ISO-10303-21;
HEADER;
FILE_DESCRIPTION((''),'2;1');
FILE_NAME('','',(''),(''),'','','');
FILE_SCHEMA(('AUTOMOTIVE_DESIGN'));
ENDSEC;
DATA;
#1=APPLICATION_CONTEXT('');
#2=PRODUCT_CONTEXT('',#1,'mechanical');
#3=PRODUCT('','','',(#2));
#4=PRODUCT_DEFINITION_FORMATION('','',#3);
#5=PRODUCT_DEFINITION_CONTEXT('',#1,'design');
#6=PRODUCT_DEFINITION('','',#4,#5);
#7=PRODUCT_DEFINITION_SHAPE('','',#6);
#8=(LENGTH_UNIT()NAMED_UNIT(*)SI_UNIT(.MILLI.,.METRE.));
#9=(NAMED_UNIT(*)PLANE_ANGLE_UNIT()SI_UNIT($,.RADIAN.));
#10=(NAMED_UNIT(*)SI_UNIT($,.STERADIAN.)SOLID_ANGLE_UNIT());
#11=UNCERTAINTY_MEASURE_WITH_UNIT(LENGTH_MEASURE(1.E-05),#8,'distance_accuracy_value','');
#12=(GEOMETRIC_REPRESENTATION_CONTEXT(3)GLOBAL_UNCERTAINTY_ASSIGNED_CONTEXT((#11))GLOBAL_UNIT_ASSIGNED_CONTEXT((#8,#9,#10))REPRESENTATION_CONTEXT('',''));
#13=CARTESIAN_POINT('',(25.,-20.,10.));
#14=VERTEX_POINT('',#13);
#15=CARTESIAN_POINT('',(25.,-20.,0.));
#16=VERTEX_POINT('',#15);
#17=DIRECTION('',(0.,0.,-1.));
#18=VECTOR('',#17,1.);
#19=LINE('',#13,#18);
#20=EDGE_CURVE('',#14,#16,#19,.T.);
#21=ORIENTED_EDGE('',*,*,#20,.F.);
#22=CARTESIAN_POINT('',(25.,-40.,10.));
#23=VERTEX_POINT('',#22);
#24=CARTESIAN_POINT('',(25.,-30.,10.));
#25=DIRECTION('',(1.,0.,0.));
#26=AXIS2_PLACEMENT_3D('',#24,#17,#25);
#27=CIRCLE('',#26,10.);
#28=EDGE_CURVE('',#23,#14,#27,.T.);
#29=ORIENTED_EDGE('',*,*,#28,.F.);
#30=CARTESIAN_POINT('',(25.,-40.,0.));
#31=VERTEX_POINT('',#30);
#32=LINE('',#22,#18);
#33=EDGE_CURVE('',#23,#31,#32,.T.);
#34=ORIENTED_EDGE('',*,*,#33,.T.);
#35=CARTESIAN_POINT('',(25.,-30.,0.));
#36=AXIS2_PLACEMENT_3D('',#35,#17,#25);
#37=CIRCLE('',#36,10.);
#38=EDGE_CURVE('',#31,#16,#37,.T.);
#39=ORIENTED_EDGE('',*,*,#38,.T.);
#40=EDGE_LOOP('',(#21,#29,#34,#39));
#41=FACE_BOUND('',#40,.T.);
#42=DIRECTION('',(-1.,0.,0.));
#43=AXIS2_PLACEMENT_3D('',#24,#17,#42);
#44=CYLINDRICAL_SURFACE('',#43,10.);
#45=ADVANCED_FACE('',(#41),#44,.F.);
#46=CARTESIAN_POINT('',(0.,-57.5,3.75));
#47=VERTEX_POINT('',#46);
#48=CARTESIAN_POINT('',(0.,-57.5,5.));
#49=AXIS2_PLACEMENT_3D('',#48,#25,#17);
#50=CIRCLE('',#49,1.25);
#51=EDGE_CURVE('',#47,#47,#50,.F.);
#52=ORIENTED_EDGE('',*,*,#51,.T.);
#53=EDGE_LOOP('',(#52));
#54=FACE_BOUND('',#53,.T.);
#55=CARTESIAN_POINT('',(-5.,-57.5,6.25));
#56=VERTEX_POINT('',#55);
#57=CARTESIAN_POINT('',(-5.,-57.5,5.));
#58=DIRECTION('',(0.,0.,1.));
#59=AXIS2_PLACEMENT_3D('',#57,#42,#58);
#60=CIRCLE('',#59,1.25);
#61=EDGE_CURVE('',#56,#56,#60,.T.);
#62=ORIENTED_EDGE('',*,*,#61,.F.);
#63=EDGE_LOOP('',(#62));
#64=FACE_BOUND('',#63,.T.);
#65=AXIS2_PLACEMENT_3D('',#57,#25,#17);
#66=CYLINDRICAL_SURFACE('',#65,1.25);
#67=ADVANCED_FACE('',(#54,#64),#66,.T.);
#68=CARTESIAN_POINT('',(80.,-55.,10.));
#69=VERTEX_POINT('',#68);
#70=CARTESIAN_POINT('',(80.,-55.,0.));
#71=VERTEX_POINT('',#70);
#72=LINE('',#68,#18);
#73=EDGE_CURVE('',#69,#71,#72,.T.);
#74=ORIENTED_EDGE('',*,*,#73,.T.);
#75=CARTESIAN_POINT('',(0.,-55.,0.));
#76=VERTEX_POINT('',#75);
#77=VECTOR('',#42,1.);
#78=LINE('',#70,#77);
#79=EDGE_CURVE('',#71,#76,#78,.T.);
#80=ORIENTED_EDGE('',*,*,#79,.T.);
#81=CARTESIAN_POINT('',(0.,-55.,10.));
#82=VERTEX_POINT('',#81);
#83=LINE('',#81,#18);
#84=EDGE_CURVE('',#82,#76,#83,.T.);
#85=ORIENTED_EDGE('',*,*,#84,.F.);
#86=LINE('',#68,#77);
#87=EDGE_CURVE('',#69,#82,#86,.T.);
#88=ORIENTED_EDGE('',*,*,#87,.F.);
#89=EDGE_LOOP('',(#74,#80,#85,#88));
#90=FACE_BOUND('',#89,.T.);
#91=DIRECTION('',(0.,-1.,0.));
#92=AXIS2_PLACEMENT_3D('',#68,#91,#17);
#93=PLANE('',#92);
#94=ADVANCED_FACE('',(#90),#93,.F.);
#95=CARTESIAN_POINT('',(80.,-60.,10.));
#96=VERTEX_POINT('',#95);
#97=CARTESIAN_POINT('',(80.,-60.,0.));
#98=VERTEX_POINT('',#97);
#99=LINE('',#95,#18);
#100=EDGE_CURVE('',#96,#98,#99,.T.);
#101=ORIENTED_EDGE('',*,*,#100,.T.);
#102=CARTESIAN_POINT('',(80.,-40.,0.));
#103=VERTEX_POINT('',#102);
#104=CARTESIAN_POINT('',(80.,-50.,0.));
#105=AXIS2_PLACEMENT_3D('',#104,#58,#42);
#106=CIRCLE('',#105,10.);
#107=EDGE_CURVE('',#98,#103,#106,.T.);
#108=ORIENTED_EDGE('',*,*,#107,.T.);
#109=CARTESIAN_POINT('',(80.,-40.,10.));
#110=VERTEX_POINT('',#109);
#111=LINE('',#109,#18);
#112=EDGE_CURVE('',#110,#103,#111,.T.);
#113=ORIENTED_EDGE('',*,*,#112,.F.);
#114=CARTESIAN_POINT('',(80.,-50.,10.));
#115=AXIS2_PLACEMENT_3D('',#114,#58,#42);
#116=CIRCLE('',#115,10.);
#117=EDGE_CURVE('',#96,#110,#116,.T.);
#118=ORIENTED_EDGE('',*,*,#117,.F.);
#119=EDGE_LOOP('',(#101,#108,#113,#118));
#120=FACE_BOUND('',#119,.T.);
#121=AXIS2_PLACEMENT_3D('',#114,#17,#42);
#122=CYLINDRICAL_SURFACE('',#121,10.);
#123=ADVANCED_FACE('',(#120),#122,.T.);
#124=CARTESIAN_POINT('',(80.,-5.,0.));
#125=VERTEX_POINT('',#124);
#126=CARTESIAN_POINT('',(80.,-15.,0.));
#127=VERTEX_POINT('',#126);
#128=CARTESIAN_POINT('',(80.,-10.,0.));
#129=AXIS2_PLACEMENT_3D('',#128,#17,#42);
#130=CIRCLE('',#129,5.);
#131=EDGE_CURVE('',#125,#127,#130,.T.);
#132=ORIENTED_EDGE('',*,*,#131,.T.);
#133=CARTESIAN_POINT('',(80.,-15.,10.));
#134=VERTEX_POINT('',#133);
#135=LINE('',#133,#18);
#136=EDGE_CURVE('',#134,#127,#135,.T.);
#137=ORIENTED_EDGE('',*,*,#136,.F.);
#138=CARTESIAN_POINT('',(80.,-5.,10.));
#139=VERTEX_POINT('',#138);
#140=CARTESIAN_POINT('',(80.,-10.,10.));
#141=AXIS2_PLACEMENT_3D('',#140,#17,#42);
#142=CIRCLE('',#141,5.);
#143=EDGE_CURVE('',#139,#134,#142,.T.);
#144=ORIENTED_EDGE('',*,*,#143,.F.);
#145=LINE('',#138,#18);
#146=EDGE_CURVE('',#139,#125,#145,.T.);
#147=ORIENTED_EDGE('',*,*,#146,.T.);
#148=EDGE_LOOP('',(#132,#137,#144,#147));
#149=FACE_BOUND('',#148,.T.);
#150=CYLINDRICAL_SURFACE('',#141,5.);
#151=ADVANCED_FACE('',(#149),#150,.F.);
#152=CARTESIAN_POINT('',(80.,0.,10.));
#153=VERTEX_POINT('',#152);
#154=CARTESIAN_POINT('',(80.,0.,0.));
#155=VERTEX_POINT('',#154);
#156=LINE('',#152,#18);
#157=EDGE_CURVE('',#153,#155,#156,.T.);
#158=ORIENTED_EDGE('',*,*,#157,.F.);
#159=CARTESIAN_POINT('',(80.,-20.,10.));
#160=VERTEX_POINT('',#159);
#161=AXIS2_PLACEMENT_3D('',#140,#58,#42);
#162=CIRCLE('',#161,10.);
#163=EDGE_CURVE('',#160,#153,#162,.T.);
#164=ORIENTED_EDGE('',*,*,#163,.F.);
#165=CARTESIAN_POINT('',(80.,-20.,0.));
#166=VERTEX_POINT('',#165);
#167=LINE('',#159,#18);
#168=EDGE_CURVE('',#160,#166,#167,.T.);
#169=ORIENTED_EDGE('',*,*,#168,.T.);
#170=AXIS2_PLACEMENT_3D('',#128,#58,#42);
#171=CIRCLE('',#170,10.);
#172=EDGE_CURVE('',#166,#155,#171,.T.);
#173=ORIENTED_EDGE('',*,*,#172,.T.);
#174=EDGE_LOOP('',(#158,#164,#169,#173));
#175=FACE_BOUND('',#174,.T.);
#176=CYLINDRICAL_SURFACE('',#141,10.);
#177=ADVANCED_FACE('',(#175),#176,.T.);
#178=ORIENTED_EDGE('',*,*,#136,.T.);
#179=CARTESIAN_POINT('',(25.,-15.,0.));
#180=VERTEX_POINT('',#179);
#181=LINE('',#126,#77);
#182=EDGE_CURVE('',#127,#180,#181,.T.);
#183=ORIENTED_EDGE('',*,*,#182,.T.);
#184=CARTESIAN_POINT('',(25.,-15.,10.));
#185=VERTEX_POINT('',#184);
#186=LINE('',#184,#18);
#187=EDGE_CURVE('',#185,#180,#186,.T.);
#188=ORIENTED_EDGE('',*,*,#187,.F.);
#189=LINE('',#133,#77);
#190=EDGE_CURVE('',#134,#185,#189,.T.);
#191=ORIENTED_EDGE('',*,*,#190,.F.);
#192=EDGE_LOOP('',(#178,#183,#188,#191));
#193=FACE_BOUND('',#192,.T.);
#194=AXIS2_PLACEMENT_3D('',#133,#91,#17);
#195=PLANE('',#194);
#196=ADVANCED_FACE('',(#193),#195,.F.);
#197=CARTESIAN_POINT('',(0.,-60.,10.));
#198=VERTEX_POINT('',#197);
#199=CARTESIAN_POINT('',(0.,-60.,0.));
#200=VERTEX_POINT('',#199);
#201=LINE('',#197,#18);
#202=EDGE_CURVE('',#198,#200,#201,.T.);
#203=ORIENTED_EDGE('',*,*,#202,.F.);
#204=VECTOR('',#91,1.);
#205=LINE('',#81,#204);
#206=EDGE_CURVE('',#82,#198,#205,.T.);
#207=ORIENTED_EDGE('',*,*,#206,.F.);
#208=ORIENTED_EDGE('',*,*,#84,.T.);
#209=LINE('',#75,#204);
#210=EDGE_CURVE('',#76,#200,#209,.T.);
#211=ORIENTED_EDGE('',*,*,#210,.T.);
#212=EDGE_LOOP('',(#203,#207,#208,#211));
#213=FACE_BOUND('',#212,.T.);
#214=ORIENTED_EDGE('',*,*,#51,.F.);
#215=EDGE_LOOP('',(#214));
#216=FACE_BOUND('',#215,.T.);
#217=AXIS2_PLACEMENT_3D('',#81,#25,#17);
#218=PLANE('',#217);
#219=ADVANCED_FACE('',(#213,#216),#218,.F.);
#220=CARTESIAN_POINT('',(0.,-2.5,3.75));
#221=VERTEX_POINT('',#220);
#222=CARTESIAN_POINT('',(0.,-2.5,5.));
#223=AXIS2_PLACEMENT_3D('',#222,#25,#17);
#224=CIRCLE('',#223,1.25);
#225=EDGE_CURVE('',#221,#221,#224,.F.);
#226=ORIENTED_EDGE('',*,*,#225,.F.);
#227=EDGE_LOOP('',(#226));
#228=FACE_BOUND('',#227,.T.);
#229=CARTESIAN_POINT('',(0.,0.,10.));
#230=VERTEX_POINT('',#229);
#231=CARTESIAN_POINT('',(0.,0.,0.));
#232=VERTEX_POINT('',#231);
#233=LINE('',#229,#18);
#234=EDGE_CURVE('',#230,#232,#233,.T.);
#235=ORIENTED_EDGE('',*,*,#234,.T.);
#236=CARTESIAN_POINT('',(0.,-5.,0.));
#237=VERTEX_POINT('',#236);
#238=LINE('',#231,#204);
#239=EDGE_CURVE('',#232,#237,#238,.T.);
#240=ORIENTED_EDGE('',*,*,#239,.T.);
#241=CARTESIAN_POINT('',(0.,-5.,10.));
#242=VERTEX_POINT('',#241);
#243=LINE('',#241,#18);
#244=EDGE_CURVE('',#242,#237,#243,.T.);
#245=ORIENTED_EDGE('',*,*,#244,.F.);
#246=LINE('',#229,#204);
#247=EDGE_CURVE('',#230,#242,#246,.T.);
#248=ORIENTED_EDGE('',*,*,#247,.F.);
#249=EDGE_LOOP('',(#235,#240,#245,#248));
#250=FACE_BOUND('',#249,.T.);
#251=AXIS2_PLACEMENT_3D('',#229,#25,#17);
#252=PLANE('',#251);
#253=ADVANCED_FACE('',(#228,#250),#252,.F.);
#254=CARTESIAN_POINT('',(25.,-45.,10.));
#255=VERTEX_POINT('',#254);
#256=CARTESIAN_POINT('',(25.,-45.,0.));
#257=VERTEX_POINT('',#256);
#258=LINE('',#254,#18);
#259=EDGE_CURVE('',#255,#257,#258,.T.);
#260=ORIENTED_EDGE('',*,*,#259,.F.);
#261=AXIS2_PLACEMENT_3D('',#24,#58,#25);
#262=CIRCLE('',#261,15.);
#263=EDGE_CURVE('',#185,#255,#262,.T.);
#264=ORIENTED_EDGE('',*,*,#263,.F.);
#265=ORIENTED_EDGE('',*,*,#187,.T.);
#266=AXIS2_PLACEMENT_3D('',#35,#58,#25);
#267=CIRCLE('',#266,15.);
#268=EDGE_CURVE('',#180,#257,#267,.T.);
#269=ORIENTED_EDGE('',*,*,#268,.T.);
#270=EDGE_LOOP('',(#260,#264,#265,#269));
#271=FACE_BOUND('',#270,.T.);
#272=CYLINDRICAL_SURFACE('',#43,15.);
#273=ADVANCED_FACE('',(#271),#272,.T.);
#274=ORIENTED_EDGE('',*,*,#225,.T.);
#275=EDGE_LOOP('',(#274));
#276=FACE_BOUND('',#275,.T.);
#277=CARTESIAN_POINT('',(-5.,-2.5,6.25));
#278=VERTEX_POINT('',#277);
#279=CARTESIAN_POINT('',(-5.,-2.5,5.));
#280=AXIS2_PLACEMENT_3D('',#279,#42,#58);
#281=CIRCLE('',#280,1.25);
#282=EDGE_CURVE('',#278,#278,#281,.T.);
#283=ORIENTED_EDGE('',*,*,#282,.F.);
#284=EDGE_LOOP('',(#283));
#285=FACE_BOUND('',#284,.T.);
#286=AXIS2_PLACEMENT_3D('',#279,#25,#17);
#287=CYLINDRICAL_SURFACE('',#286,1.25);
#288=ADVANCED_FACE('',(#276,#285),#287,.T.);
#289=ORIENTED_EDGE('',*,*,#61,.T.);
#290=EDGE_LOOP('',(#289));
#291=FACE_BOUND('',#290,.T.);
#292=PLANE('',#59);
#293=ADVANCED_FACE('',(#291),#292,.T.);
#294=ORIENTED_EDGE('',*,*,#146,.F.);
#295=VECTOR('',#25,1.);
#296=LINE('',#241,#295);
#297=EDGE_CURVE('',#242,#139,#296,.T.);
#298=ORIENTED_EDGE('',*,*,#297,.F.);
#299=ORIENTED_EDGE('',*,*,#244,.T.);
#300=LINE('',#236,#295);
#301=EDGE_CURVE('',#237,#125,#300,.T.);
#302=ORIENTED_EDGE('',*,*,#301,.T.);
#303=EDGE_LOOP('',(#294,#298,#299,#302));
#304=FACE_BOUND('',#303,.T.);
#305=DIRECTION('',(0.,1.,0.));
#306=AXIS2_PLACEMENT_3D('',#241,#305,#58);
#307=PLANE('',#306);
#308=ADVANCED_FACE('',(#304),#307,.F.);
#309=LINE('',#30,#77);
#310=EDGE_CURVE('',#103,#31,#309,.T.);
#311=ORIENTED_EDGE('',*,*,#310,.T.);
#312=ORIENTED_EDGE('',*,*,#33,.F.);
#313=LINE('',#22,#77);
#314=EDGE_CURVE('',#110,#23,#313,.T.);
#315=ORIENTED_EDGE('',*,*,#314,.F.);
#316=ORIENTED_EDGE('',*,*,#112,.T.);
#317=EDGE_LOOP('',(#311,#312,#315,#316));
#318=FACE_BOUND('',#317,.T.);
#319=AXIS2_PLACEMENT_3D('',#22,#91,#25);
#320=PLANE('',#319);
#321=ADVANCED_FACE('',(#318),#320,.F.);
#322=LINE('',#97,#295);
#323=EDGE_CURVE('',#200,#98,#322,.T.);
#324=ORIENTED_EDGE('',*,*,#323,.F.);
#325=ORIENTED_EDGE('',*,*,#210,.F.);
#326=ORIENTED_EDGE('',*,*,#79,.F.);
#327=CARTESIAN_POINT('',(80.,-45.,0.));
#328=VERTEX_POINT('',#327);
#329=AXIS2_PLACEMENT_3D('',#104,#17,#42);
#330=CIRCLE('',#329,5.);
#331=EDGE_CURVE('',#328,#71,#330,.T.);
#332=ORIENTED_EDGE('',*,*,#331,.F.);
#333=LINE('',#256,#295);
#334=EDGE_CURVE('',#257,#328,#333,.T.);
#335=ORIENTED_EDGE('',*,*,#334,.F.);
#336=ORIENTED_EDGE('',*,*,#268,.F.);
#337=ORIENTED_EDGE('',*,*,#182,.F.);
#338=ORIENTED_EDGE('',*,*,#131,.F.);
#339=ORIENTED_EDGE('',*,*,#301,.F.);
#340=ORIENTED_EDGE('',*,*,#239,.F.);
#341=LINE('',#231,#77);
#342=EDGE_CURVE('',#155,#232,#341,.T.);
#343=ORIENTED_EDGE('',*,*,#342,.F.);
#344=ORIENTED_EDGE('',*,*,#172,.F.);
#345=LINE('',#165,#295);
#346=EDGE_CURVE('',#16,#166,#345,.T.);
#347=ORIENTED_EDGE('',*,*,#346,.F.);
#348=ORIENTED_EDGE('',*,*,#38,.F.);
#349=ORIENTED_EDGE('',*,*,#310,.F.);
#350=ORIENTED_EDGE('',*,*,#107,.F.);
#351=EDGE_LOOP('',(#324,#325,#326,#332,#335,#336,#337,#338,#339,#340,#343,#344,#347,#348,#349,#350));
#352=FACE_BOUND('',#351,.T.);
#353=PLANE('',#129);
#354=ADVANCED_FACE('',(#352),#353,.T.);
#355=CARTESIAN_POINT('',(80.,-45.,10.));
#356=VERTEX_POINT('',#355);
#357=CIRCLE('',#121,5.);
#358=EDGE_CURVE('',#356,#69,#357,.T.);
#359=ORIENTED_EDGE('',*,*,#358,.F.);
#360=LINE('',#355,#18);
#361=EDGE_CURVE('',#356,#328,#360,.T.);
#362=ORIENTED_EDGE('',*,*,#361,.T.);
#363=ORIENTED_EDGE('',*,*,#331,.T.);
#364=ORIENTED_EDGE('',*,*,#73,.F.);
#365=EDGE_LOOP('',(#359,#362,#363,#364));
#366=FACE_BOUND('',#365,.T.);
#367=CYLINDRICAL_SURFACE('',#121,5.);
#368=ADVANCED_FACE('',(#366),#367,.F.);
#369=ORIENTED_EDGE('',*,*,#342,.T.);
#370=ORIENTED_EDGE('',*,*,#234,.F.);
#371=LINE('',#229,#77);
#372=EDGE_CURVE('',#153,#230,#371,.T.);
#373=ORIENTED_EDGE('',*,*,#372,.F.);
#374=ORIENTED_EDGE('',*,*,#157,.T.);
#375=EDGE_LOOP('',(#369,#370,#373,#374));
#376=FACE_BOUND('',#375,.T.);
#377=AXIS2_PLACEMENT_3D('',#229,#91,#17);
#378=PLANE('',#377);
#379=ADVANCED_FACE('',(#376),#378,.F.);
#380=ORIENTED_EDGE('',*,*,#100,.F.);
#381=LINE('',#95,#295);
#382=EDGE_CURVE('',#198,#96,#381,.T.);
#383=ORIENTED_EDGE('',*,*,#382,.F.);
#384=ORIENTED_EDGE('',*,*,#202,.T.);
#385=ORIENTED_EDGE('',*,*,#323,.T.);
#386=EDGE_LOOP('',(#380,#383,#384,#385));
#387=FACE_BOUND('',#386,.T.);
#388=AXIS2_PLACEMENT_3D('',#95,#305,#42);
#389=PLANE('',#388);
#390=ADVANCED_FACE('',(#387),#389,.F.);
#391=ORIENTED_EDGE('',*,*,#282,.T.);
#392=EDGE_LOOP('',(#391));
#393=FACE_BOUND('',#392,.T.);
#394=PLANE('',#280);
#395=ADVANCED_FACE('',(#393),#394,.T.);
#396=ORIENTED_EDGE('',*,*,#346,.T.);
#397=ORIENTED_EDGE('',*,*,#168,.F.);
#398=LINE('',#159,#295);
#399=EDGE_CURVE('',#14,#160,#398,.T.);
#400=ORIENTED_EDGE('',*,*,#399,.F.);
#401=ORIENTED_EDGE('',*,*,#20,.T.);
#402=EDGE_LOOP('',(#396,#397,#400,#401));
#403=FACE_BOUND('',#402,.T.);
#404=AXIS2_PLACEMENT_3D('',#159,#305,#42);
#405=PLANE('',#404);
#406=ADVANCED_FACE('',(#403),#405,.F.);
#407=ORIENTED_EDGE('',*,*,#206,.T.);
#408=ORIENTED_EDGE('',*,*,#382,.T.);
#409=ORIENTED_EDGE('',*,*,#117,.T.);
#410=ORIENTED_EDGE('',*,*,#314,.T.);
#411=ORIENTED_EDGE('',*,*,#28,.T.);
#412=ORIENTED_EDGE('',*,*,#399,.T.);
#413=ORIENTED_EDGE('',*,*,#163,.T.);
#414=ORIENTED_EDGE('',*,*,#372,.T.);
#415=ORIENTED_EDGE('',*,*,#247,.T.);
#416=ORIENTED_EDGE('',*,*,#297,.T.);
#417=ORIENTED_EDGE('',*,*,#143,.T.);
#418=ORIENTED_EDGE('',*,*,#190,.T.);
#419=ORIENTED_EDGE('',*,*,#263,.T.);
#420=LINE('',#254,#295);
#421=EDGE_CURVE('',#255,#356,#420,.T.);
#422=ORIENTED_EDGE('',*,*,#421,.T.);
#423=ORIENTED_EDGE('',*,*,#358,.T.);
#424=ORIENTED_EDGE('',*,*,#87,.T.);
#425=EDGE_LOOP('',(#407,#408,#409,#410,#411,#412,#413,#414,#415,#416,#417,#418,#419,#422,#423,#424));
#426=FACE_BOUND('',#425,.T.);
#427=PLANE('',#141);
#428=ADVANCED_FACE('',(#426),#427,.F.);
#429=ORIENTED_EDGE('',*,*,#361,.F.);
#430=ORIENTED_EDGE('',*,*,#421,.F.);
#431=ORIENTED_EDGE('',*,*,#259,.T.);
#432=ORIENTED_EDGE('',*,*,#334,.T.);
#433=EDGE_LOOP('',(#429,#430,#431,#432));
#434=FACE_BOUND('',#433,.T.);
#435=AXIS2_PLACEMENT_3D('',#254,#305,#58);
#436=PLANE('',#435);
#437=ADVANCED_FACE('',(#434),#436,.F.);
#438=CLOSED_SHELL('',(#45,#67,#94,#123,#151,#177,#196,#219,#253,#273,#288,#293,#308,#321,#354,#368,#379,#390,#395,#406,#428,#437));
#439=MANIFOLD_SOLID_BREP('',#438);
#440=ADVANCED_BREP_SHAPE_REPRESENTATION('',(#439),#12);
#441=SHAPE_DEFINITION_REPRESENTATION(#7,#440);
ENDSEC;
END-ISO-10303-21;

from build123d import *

# Parameters (mm, degrees)
BOSS_EXTRUDE1_DEPTH = 10
SKETCH2_R           = 1.25
BOSS_EXTRUDE2_DEPTH = 5
SKETCH3_R           = 1.25
BOSS_EXTRUDE3_DEPTH = 5


with BuildPart() as part:
    # Sketch1 → Boss-Extrude1 (new body)
    with BuildSketch(Plane.XY):
        with BuildLine():
            Line((0, 0), (80, 0))
            ThreePointArc((80, 0), (90, -10), (80, -20))
            Line((80, -20), (25, -20))
            ThreePointArc((25, -20), (15, -30), (25, -40))
            Line((25, -40), (80, -40))
            ThreePointArc((80, -40), (90, -50), (80, -60))
            Line((80, -60), (0, -60))
            Line((0, -60), (0, -55))
            Line((0, -55), (80, -55))
            ThreePointArc((80, -55), (85, -50), (80, -45))
            Line((80, -45), (25, -45))
            ThreePointArc((25, -45), (10, -30), (25, -15))
            Line((25, -15), (80, -15))
            ThreePointArc((80, -15), (85, -10), (80, -5))
            Line((80, -5), (0, -5))
            Line((0, -5), (0, 0))
        make_face()
    extrude(amount=BOSS_EXTRUDE1_DEPTH)

    # Sketch2 → Boss-Extrude2 (add)
    with BuildSketch(Plane.ZY):
        with Locations(Location((5, -2.5, 0), (0, 0, 180))):
            Circle(SKETCH2_R)
    extrude(amount=BOSS_EXTRUDE2_DEPTH)

    # Sketch3 → Boss-Extrude3 (add)
    with BuildSketch(Plane.ZY):
        with Locations(Location((5, -57.5, 0), (0, 0, 180))):
            Circle(SKETCH3_R)
    extrude(amount=BOSS_EXTRUDE3_DEPTH)


solid = part.part
